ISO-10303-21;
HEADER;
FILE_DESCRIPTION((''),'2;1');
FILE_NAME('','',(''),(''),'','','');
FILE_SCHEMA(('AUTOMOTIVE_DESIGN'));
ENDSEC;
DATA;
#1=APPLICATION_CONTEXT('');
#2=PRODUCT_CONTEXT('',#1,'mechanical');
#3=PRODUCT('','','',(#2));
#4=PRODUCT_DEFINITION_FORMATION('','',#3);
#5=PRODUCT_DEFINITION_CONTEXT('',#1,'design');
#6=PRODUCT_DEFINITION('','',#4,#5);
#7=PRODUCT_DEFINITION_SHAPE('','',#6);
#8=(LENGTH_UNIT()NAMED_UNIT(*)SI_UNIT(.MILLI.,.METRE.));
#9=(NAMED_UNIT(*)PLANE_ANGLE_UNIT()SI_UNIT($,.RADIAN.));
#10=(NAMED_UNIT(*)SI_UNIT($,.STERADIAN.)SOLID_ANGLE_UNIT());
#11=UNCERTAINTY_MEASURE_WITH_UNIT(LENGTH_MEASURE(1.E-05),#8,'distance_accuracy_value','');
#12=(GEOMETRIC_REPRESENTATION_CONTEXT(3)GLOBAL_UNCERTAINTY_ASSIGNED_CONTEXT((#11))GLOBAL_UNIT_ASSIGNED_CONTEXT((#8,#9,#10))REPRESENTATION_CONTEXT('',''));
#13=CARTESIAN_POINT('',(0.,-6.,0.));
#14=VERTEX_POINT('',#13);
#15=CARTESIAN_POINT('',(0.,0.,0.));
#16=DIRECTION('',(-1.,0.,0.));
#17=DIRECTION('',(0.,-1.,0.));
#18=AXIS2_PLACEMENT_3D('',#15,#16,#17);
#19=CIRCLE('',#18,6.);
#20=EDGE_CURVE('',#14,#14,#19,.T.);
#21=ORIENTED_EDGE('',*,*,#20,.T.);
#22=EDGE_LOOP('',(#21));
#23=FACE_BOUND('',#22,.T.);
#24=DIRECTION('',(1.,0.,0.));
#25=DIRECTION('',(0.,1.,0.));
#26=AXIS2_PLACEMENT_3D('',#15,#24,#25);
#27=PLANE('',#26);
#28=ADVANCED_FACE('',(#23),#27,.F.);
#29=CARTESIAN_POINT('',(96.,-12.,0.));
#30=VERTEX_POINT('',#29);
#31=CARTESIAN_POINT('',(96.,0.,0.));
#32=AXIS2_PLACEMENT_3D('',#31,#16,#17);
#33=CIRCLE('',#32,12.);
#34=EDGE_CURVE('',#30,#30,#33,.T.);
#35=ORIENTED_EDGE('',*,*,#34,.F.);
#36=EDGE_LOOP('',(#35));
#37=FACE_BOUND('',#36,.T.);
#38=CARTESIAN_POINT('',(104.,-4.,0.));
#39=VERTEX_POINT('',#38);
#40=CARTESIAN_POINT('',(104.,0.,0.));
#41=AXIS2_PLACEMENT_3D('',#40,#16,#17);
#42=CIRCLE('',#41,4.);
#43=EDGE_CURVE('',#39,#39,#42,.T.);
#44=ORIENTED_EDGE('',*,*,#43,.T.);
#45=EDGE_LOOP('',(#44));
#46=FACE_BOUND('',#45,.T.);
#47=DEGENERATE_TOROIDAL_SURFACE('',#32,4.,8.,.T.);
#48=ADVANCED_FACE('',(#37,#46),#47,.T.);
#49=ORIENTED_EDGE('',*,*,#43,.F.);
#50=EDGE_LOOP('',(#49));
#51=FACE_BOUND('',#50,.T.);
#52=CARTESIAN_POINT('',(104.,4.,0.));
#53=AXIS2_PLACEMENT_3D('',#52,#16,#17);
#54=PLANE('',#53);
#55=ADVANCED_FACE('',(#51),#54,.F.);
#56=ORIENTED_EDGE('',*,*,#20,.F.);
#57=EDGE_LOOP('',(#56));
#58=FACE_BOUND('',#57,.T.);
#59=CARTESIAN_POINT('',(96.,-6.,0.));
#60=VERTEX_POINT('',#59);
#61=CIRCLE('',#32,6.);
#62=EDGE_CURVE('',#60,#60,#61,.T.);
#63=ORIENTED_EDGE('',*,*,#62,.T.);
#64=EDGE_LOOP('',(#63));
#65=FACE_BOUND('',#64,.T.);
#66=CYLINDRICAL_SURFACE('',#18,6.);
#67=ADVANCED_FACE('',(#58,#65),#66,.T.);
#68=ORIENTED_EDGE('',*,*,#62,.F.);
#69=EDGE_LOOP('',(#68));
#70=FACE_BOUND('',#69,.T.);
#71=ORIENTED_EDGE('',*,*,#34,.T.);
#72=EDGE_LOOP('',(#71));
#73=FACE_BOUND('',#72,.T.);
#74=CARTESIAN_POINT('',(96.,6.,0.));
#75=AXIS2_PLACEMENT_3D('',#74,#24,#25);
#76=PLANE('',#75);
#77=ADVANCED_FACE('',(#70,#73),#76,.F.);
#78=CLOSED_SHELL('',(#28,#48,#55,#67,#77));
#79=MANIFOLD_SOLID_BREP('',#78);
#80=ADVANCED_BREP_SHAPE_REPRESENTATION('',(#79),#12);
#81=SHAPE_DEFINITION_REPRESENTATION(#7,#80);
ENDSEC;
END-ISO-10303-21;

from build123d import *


with BuildPart() as part:
    # Sketch1 → Revolve1 (revolve)
    with BuildSketch(Plane.XY, mode=Mode.PRIVATE) as revolve1_sk:
        with BuildLine():
            Line((0, 0), (0, 6))
            Line((0, 6), (96, 6))
            Line((96, 6), (96, 12))
            ThreePointArc((96, 12), (101.656854249, 9.656854249), (104, 4))
            Line((104, 4), (104, 0))
            Line((104, 0), (0, 0))
        make_face()
    revolve(revolve1_sk.sketch.rotate(Axis((0, 0, 0), (1, 0, 0)), 180), axis=Axis((0, 0, 0), (1, 0, 0)))


solid = part.part
